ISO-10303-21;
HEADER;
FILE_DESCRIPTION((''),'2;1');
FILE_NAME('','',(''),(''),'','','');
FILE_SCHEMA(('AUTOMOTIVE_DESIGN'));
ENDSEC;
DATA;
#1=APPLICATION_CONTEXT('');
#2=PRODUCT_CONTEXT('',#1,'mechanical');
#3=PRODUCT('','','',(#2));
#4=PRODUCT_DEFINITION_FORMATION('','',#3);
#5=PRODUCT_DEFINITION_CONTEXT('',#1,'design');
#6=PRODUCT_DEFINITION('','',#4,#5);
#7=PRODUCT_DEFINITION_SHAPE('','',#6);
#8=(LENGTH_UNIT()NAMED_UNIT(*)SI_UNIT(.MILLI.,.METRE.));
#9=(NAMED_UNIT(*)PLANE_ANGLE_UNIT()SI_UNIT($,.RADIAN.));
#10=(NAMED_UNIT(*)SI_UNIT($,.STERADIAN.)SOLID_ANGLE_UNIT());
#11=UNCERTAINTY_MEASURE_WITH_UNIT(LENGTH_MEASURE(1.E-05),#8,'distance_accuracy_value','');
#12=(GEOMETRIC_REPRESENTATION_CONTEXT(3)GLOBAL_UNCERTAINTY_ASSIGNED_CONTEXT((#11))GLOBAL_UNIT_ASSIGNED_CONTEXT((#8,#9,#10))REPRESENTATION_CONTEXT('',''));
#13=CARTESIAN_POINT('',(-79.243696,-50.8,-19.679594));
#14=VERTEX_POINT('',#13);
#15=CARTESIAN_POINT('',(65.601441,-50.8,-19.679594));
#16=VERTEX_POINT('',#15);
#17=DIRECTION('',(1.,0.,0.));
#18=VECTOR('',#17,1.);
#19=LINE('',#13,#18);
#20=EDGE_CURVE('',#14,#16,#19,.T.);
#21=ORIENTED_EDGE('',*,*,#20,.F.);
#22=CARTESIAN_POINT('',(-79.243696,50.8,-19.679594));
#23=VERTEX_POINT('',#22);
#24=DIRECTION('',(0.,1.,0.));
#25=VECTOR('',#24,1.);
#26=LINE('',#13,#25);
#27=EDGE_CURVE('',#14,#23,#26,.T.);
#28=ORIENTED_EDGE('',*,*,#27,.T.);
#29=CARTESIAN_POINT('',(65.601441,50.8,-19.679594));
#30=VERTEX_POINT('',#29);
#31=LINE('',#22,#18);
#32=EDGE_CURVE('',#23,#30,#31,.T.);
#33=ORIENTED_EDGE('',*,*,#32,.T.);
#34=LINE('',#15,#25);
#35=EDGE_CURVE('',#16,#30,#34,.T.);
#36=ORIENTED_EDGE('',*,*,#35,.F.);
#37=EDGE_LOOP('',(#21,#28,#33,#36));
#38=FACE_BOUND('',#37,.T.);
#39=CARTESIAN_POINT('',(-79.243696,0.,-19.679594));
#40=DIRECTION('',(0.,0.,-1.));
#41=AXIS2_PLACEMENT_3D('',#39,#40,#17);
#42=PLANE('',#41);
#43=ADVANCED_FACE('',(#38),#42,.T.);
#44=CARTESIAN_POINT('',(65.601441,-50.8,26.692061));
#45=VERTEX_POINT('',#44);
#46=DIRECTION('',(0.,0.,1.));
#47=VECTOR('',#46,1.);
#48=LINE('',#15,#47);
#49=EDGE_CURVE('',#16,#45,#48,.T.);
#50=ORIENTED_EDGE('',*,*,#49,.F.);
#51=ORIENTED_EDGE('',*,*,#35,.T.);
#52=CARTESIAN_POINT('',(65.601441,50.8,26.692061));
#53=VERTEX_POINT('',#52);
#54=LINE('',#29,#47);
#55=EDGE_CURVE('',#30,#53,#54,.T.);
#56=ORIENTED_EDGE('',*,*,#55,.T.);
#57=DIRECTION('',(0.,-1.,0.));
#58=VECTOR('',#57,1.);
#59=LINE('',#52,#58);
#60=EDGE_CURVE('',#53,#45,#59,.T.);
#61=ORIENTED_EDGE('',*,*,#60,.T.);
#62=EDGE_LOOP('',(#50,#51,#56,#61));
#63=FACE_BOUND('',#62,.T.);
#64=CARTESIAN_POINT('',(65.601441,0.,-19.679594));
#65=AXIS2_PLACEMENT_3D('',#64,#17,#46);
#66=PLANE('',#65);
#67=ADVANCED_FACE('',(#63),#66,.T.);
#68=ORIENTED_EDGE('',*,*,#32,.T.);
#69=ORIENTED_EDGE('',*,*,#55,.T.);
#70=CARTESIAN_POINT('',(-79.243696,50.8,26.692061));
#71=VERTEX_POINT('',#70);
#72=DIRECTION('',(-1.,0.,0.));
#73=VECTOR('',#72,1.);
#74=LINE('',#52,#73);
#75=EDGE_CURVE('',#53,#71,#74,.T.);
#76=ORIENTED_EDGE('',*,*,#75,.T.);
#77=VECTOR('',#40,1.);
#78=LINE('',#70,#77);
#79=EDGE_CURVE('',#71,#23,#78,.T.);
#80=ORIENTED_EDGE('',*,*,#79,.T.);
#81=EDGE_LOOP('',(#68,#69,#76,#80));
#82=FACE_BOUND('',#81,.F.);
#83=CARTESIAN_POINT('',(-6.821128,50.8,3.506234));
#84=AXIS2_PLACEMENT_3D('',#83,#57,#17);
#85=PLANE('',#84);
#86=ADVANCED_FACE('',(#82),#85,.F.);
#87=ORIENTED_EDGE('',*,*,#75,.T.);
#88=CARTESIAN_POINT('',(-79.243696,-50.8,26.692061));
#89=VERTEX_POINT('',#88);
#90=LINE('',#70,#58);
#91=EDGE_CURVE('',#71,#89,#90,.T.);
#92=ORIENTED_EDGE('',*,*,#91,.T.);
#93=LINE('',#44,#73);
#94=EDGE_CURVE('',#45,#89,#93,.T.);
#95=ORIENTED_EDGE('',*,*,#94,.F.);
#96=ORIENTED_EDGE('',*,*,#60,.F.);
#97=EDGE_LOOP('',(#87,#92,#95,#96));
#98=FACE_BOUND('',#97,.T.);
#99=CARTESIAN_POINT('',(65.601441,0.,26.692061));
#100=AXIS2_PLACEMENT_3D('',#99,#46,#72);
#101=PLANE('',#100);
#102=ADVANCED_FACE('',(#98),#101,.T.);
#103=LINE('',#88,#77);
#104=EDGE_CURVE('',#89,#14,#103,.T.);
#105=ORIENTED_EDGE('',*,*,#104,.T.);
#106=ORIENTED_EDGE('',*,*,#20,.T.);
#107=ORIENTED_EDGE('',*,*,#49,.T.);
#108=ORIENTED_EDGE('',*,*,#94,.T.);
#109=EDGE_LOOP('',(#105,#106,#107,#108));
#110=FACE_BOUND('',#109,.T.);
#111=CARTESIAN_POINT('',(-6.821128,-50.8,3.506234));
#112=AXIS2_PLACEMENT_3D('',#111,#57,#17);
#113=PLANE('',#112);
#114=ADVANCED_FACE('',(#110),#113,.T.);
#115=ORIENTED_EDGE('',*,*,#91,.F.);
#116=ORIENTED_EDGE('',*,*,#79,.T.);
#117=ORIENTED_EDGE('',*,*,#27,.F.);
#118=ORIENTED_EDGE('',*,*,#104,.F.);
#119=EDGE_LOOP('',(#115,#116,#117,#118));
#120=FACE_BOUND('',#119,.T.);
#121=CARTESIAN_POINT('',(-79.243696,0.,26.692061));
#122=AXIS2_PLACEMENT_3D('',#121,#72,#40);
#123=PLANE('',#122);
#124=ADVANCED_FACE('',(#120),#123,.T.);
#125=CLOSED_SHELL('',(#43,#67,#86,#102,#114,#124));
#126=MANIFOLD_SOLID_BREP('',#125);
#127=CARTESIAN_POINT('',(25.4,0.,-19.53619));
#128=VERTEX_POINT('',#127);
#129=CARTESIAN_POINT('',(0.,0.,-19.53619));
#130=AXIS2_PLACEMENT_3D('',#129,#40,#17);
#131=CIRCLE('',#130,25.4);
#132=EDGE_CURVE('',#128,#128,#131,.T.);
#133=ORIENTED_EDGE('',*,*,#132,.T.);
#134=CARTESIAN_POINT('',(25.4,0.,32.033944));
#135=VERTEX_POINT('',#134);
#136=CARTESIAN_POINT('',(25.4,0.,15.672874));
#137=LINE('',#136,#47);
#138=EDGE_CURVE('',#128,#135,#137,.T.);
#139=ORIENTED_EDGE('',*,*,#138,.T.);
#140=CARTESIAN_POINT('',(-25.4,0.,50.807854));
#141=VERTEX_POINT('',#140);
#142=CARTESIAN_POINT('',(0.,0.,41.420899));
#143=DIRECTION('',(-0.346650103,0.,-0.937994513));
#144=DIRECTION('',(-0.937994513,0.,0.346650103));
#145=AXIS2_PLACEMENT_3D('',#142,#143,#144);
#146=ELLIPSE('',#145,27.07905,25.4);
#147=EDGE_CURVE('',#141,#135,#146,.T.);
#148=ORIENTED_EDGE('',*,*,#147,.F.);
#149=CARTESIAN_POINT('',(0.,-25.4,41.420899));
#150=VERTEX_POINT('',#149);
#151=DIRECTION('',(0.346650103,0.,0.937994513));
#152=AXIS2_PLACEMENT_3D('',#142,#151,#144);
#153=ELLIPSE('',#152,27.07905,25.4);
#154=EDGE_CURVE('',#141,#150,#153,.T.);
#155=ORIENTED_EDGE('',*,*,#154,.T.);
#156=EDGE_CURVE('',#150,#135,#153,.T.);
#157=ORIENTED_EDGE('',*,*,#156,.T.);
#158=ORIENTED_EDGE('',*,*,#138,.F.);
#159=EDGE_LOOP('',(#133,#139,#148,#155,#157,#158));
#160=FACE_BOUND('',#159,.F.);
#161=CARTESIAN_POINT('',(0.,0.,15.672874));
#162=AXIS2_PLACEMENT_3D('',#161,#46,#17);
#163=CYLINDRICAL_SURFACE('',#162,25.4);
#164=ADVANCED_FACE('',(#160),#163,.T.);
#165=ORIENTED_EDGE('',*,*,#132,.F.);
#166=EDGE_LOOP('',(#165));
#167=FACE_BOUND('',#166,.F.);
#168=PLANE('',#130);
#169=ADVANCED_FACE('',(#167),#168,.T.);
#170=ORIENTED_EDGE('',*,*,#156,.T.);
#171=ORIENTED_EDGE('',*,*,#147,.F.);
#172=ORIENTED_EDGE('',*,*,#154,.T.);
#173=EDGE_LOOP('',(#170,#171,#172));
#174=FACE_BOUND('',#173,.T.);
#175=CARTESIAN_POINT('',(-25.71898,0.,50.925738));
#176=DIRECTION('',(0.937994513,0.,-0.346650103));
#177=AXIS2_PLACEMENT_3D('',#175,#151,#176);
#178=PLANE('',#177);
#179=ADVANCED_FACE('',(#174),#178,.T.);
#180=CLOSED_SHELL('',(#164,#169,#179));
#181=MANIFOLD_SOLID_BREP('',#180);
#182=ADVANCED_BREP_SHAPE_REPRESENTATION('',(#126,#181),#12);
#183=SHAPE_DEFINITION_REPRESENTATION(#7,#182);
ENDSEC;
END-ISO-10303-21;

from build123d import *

# Parameters (mm, degrees)
F1_DEPTH      = 50.8
F2_W          = 25.4
F2_H          = 70.4181268811
F5_DEPTH      = 127
F5_DEPTH_BACK = 25.4


with BuildPart() as f1:
    # F0 (on Front) → F1 (new body, symmetric)
    with BuildSketch(Plane.XZ):
        Polygon((65.6014406245, -19.6795935976), (65.6014406245, 26.6920606943), (-79.2436958414, 26.6920606943), (-79.2436958414, -19.6795935976), (-17.5021556386, -19.6795935976), (33.2978443614, -19.6795935976), align=None)
    extrude(amount=F1_DEPTH, both=True)


with BuildPart() as f3:
    # F2 (on Front) → F3 (revolve)
    with BuildSketch(Plane.XZ):
        with Locations((12.7, 15.6728737056)):
            Rectangle(F2_W, F2_H)
    revolve(axis=Axis((0, 0, 15.6728737056), (0, 0, -1)))

    # F4 (on Front) → F5 (cut, two sides)
    with BuildSketch(Plane.XZ) as f5_sk:
        Polygon((25.4, 32.0339436078), (25.4, 50.9257381415), (-25.7189797187, 50.9257381415), align=None)
    extrude(amount=-F5_DEPTH, mode=Mode.SUBTRACT)
    extrude(f5_sk.sketch, amount=F5_DEPTH_BACK, mode=Mode.SUBTRACT)


solid = Compound([f1.part, f3.part])
